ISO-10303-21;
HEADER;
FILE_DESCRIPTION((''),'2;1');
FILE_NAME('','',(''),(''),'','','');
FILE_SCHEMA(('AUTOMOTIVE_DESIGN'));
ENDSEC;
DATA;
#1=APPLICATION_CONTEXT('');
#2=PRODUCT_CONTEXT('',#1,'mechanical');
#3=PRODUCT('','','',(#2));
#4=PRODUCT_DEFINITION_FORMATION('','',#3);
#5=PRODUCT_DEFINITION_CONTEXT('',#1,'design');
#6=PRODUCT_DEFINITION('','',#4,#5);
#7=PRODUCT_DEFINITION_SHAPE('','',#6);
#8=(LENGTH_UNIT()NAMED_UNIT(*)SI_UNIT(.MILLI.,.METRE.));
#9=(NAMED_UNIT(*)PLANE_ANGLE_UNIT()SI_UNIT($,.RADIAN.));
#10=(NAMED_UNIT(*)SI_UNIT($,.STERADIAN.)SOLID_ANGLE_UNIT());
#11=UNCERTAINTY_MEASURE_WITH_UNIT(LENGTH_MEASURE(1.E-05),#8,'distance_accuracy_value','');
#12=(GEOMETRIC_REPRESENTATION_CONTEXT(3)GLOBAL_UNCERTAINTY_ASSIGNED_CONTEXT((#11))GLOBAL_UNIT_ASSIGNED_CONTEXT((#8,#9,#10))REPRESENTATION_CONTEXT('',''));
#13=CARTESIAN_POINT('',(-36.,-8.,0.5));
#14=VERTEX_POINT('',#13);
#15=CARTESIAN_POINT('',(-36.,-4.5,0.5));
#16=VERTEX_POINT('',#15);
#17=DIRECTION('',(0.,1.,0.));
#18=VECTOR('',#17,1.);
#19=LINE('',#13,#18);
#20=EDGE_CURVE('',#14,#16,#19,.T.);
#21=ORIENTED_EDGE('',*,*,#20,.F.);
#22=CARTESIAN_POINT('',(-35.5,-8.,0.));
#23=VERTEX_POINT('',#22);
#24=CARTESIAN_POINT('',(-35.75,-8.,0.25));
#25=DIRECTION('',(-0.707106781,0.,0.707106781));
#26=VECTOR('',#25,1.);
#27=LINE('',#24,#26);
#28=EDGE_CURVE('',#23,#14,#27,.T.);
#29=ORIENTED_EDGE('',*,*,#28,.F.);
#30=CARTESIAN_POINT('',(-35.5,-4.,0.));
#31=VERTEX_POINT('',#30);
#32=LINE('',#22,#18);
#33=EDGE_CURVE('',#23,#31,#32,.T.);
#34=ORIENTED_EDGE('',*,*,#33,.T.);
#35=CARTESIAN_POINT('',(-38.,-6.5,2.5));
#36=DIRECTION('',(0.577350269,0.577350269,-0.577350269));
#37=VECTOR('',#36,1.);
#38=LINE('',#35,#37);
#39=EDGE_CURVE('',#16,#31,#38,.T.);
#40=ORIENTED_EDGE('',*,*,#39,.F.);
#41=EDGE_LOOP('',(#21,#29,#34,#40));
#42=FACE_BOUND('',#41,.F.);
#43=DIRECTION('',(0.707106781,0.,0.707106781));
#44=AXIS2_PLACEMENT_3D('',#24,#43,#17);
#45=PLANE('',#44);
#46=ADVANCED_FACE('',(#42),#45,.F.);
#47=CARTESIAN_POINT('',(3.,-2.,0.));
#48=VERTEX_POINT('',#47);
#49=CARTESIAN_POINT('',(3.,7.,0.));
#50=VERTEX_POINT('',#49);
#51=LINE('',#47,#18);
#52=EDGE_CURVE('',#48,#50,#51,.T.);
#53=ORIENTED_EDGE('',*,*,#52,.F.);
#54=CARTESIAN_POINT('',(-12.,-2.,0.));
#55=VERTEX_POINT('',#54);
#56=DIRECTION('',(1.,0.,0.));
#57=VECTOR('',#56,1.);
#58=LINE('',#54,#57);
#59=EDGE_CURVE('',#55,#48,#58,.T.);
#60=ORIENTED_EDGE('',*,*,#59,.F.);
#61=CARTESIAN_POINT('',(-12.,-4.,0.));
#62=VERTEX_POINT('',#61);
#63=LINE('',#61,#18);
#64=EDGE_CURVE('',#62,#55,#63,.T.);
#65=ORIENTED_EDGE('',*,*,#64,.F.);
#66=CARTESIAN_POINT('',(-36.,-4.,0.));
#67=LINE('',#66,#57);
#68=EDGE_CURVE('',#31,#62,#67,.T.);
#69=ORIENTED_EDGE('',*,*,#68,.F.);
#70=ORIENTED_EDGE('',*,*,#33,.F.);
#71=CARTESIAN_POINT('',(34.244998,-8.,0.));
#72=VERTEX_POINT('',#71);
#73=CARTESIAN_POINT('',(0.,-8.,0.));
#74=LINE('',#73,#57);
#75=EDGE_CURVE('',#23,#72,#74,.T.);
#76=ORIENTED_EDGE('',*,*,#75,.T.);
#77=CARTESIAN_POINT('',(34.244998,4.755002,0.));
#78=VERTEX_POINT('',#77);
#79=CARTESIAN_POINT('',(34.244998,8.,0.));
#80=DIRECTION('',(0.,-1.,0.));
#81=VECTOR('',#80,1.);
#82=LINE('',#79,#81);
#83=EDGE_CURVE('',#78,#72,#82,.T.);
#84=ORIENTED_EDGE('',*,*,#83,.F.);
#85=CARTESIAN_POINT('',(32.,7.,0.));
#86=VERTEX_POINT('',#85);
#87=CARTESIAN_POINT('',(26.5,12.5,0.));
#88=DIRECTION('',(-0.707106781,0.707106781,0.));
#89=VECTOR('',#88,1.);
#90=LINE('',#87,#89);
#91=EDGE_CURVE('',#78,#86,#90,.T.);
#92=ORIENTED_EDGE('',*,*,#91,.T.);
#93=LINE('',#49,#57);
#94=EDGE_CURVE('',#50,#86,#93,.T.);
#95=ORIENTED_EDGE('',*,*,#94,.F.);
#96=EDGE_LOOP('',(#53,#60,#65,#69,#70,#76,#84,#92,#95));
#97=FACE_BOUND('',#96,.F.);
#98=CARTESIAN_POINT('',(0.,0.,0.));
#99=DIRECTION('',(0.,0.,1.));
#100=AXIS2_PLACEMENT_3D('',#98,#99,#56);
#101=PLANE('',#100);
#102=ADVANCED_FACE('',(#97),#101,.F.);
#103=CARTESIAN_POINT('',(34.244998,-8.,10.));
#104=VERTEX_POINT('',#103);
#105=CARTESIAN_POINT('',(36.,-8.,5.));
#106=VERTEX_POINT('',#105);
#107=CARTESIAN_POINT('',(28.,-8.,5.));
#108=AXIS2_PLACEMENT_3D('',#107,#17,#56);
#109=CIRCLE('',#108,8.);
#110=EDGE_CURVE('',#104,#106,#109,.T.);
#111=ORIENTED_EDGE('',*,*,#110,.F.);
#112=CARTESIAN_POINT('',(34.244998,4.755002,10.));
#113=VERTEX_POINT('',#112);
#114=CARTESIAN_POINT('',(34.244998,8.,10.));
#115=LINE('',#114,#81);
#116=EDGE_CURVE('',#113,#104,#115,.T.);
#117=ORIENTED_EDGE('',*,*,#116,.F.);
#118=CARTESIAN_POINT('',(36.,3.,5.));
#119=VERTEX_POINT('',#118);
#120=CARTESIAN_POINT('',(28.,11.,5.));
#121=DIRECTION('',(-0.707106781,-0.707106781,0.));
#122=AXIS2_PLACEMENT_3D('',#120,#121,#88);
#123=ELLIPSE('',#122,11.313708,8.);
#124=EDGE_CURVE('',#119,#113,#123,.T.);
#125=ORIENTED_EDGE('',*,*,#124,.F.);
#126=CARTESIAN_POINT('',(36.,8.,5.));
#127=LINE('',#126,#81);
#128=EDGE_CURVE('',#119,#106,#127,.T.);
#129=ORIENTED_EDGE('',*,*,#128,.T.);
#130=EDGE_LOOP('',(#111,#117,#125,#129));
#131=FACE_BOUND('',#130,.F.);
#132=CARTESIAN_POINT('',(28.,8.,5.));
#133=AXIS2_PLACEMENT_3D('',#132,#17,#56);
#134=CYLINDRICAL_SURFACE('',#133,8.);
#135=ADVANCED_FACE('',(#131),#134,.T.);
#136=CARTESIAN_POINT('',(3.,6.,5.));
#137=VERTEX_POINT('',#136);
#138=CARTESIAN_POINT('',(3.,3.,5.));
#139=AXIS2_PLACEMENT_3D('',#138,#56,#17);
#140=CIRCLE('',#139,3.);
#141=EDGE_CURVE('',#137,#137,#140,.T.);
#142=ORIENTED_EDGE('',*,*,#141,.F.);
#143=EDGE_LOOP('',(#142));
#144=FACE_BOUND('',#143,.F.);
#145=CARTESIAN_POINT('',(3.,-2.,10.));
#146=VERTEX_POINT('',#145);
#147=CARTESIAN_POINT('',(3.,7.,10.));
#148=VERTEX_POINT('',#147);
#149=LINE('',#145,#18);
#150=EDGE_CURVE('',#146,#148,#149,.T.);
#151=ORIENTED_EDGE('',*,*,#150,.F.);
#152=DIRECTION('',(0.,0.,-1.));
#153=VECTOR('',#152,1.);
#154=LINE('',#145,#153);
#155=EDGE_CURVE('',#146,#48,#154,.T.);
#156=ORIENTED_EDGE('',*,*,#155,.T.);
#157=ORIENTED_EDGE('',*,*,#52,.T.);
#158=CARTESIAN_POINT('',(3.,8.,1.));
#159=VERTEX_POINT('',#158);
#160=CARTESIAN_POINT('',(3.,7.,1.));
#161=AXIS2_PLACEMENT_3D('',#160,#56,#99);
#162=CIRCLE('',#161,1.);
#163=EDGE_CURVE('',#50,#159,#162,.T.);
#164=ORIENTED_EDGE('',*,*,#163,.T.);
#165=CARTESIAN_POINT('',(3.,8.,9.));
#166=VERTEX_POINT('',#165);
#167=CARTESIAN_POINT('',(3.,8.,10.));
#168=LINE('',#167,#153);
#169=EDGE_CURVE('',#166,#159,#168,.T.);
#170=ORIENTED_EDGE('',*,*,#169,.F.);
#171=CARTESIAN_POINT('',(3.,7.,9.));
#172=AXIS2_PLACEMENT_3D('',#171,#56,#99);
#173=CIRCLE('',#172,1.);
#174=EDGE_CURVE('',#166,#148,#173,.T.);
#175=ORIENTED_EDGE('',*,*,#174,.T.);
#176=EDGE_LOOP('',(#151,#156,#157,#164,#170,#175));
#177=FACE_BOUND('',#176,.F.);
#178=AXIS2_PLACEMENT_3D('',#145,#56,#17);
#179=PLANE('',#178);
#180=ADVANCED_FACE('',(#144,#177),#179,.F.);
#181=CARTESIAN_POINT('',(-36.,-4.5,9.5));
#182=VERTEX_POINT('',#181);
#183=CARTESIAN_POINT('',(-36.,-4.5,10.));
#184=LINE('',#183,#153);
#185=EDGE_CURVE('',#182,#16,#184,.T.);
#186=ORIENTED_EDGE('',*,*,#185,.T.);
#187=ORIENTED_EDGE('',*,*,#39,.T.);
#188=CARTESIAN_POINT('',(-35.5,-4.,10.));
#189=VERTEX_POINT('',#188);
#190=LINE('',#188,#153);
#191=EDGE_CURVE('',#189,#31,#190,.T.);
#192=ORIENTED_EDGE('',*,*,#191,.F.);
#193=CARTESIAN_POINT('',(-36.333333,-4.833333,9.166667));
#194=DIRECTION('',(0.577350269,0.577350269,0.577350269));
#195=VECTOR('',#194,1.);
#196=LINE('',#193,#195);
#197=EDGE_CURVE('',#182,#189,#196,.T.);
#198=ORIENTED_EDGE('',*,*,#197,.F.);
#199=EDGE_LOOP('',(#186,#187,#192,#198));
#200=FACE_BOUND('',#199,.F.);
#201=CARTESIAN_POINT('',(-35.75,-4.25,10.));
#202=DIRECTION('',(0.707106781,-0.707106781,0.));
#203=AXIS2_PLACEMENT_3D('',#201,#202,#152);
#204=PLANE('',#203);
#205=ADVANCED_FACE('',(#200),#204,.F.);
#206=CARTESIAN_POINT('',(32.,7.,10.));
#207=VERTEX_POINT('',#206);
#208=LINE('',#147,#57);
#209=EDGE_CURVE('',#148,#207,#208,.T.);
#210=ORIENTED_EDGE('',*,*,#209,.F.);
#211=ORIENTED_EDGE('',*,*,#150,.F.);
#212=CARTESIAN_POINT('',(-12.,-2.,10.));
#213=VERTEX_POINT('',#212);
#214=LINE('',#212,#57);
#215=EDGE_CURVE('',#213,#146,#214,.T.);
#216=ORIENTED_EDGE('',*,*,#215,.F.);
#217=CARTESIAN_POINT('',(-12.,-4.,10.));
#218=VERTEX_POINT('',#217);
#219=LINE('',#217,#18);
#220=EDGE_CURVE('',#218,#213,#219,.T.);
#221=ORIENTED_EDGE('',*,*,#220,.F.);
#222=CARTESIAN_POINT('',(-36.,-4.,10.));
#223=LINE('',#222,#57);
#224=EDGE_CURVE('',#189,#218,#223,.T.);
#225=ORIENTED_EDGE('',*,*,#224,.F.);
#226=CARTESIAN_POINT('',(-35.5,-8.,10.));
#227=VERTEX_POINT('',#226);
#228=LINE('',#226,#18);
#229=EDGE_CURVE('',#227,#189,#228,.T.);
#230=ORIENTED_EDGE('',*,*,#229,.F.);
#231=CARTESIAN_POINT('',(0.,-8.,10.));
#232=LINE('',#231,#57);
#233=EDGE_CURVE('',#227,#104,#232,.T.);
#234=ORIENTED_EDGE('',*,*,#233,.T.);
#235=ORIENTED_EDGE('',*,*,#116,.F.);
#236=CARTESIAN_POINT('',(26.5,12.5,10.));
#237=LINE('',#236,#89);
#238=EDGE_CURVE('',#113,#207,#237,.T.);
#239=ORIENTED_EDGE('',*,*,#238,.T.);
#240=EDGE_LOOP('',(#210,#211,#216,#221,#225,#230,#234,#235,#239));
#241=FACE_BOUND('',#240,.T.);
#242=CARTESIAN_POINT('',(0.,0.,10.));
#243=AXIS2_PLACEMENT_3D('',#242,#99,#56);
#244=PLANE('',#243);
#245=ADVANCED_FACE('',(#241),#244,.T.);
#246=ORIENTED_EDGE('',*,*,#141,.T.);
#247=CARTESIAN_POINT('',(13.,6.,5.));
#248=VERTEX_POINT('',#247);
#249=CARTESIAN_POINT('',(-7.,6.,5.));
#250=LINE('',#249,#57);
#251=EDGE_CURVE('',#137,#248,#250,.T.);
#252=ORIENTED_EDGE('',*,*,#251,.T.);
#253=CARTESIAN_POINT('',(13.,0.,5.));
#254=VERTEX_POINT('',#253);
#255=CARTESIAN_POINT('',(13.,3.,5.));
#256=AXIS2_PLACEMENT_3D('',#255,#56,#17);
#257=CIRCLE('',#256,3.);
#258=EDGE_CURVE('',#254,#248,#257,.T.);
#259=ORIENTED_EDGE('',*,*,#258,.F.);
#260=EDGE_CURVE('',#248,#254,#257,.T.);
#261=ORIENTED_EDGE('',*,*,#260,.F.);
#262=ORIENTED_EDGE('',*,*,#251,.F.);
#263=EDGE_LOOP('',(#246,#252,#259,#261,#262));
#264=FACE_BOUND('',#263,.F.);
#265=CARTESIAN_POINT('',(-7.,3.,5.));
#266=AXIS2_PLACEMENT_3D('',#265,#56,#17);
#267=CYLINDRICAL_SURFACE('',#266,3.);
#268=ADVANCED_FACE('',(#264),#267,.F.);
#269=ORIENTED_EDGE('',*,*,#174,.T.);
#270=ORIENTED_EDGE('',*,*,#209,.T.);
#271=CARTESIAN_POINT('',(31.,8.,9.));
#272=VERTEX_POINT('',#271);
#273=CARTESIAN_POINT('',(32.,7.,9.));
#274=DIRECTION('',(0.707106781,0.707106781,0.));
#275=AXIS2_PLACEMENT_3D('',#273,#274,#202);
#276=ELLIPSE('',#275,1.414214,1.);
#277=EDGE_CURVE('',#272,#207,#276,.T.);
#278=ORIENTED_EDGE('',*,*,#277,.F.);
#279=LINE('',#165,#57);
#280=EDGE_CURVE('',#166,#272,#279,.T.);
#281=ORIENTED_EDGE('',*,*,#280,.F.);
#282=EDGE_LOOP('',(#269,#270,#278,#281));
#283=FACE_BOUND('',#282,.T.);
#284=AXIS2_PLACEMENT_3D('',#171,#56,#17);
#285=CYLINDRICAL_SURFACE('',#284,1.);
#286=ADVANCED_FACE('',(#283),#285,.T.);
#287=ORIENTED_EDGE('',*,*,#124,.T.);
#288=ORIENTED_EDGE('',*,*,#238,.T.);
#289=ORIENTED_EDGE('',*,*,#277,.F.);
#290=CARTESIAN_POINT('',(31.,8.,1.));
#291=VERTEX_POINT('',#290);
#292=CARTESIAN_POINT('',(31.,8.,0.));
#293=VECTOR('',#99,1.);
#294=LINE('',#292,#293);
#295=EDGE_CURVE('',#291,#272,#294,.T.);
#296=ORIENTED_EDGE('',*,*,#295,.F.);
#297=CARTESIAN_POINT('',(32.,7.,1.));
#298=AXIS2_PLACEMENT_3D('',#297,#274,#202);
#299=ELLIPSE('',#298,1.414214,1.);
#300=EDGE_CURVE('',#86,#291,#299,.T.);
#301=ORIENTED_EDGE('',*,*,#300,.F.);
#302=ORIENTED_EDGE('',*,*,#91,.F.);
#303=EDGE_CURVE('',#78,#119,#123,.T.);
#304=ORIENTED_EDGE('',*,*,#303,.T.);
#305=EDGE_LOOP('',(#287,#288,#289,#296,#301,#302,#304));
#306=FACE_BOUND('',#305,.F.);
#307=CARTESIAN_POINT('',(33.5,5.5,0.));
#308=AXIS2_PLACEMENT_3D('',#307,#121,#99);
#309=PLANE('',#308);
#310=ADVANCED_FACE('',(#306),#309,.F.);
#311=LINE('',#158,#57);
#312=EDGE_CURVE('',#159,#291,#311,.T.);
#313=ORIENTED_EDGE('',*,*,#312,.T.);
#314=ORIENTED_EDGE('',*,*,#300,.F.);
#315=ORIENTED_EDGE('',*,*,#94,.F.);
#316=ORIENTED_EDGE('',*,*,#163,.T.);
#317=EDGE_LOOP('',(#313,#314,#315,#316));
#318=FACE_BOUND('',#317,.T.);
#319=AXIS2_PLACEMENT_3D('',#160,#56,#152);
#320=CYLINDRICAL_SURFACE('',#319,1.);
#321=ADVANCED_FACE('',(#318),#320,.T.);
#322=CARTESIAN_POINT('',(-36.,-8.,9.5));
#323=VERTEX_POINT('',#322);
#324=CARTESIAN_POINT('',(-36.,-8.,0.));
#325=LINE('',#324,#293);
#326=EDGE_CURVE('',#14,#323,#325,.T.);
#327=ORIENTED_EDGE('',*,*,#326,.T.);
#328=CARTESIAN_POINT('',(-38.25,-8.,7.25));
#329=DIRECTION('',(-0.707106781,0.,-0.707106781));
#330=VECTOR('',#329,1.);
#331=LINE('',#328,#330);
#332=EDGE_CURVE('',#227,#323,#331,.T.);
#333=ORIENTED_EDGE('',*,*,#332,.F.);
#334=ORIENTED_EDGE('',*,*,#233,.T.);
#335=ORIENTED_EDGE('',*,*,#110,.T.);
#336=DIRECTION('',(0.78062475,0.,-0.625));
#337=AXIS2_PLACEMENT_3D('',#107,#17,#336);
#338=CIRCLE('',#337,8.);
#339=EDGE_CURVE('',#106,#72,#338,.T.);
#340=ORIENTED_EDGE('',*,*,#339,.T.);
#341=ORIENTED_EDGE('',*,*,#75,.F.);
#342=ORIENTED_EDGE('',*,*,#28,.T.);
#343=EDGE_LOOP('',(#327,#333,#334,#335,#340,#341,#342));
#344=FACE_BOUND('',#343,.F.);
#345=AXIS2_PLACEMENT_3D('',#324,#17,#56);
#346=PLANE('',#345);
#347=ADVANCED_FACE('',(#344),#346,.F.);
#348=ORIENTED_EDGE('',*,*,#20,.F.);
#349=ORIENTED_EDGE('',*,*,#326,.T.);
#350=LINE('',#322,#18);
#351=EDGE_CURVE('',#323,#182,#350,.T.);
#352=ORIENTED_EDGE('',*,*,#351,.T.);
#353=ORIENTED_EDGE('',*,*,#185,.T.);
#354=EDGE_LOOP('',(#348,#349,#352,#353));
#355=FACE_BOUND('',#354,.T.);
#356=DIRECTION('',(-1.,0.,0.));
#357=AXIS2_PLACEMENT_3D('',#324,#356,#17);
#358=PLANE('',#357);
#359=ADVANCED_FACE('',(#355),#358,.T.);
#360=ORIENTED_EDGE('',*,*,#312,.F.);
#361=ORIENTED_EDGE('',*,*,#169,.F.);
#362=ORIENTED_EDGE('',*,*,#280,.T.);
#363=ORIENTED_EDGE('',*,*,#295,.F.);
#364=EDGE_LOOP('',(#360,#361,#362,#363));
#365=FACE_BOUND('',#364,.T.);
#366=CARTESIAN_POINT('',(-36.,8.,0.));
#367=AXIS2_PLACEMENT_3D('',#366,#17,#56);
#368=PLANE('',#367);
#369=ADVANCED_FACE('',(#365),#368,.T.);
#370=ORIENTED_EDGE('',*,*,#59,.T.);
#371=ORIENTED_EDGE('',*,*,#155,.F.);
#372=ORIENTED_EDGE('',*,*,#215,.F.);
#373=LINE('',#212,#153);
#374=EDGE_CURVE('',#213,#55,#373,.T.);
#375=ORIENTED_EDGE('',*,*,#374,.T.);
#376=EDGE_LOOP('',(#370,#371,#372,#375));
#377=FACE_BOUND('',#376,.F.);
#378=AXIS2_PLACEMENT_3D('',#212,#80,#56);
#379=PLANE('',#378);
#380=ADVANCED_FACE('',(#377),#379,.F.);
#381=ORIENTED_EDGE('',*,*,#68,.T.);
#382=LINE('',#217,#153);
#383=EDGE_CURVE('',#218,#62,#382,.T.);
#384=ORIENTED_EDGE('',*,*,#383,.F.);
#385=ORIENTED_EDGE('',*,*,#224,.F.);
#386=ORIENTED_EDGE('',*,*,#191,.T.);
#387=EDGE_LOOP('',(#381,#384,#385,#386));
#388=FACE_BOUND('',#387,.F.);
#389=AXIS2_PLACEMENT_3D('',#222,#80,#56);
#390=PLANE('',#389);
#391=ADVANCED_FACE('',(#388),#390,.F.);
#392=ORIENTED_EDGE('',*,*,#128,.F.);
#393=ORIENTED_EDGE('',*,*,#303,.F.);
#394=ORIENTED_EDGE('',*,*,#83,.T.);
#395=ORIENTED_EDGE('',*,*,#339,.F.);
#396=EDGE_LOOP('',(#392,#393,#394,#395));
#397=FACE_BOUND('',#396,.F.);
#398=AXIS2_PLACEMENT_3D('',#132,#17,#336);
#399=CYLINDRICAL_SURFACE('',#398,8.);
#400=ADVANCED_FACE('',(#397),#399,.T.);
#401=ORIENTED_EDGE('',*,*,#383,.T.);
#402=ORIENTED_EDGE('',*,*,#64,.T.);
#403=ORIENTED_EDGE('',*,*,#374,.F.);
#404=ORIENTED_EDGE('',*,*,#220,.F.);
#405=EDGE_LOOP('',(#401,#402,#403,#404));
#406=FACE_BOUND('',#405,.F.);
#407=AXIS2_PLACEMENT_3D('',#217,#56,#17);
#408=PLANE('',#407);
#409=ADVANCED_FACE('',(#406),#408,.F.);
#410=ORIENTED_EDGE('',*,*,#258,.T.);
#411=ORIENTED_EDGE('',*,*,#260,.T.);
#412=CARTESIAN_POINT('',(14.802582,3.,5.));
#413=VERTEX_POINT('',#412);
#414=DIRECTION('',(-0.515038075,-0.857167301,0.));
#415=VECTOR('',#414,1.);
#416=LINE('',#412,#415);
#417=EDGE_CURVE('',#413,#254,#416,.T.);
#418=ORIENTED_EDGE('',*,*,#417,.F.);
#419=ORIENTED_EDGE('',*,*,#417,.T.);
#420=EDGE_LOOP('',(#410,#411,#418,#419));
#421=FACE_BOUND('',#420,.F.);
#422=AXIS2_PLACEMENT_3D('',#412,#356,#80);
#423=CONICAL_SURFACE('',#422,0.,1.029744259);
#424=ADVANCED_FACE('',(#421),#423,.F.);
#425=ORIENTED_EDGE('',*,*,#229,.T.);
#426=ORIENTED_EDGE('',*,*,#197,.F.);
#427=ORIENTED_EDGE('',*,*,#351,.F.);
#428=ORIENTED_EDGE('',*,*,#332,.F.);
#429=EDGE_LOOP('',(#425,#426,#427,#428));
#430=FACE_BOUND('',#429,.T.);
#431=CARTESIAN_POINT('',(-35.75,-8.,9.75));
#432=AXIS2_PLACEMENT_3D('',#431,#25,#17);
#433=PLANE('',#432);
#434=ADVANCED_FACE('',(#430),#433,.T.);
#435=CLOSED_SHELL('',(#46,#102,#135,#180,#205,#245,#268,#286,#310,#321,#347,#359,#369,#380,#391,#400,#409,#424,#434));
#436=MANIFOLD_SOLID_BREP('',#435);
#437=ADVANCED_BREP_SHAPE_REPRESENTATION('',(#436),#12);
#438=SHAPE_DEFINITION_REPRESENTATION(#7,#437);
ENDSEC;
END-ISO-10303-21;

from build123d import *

# Parameters (mm, degrees)
F0_W      = 72
F0_H      = 16
F1_DEPTH  = 10
F2_SIZE   = 5
F4_DEPTH  = 10
F5_SIZE   = 0.5
F6_R      = 1
F8_DEPTH  = 25
F10_D     = 6
F10_DEPTH = 10
F10_TIP   = 1.8025818571


with BuildPart() as f1:
    # F0 (on Top) → F1 (new body)
    with BuildSketch(Plane.XY):
        Rectangle(F0_W, F0_H)
    extrude(amount=F1_DEPTH)

    # F2
    f2_edges = [f1.edges().sort_by_distance(p)[0] for p in [
        (36, 8, 5),
    ]]
    chamfer(f2_edges, length=F2_SIZE)

    # F3 (on face) → F4 (cut, through all)
    with BuildSketch(Plane.XY.offset(10)):
        Polygon((3, -2), (3, 8), (-36, 8), (-36, -4), (-12, -4), (-12, -2), align=None)
    extrude(amount=-F4_DEPTH, mode=Mode.SUBTRACT)

    # F5
    f5_edges = [f1.edges().sort_by_distance(p)[0] for p in [
        (-36, -4, 5),
        (-36, -6, 10),
        (-36, -6, 0),
    ]]
    chamfer(f5_edges, length=F5_SIZE)

    # F6
    f6_edges = [f1.edges().sort_by_distance(p)[0] for p in [
        (17, 8, 10),
        (17, 8, 0),
    ]]
    fillet(f6_edges, radius=F6_R)

    # F7 (on face) → F8 (cut)
    with BuildSketch(Plane(origin=(0, 8, 0), x_dir=(-1, 0, 0), z_dir=(0, 1, 0))):
        with BuildLine():
            ThreePointArc((-34.2449979984, 0), (-35.5485092564, 2.3504702292), (-36, 5))
            Line((-36, 5), (-36, 0))
            Line((-36, 0), (-34.2449979984, 0))
        make_face()
        with BuildLine():
            ThreePointArc((-36, 5), (-35.5485092564, 7.6495297708), (-34.2449979984, 10))
            Line((-34.2449979984, 10), (-36, 10))
            Line((-36, 10), (-36, 5))
        make_face()
    extrude(amount=-F8_DEPTH, mode=Mode.SUBTRACT)

    # F10
    with Locations(Plane(origin=(3, 0, 0), x_dir=(0, -1, 0), z_dir=(-1, 0, 0))):
        with Locations((-3, 5)):
            Hole(F10_D / 2, depth=F10_DEPTH)
            with Locations((0, 0, -(F10_DEPTH + F10_TIP / 2))):  # 118° drill point
                Cone(0, F10_D / 2, F10_TIP, mode=Mode.SUBTRACT)


solid = f1.part
